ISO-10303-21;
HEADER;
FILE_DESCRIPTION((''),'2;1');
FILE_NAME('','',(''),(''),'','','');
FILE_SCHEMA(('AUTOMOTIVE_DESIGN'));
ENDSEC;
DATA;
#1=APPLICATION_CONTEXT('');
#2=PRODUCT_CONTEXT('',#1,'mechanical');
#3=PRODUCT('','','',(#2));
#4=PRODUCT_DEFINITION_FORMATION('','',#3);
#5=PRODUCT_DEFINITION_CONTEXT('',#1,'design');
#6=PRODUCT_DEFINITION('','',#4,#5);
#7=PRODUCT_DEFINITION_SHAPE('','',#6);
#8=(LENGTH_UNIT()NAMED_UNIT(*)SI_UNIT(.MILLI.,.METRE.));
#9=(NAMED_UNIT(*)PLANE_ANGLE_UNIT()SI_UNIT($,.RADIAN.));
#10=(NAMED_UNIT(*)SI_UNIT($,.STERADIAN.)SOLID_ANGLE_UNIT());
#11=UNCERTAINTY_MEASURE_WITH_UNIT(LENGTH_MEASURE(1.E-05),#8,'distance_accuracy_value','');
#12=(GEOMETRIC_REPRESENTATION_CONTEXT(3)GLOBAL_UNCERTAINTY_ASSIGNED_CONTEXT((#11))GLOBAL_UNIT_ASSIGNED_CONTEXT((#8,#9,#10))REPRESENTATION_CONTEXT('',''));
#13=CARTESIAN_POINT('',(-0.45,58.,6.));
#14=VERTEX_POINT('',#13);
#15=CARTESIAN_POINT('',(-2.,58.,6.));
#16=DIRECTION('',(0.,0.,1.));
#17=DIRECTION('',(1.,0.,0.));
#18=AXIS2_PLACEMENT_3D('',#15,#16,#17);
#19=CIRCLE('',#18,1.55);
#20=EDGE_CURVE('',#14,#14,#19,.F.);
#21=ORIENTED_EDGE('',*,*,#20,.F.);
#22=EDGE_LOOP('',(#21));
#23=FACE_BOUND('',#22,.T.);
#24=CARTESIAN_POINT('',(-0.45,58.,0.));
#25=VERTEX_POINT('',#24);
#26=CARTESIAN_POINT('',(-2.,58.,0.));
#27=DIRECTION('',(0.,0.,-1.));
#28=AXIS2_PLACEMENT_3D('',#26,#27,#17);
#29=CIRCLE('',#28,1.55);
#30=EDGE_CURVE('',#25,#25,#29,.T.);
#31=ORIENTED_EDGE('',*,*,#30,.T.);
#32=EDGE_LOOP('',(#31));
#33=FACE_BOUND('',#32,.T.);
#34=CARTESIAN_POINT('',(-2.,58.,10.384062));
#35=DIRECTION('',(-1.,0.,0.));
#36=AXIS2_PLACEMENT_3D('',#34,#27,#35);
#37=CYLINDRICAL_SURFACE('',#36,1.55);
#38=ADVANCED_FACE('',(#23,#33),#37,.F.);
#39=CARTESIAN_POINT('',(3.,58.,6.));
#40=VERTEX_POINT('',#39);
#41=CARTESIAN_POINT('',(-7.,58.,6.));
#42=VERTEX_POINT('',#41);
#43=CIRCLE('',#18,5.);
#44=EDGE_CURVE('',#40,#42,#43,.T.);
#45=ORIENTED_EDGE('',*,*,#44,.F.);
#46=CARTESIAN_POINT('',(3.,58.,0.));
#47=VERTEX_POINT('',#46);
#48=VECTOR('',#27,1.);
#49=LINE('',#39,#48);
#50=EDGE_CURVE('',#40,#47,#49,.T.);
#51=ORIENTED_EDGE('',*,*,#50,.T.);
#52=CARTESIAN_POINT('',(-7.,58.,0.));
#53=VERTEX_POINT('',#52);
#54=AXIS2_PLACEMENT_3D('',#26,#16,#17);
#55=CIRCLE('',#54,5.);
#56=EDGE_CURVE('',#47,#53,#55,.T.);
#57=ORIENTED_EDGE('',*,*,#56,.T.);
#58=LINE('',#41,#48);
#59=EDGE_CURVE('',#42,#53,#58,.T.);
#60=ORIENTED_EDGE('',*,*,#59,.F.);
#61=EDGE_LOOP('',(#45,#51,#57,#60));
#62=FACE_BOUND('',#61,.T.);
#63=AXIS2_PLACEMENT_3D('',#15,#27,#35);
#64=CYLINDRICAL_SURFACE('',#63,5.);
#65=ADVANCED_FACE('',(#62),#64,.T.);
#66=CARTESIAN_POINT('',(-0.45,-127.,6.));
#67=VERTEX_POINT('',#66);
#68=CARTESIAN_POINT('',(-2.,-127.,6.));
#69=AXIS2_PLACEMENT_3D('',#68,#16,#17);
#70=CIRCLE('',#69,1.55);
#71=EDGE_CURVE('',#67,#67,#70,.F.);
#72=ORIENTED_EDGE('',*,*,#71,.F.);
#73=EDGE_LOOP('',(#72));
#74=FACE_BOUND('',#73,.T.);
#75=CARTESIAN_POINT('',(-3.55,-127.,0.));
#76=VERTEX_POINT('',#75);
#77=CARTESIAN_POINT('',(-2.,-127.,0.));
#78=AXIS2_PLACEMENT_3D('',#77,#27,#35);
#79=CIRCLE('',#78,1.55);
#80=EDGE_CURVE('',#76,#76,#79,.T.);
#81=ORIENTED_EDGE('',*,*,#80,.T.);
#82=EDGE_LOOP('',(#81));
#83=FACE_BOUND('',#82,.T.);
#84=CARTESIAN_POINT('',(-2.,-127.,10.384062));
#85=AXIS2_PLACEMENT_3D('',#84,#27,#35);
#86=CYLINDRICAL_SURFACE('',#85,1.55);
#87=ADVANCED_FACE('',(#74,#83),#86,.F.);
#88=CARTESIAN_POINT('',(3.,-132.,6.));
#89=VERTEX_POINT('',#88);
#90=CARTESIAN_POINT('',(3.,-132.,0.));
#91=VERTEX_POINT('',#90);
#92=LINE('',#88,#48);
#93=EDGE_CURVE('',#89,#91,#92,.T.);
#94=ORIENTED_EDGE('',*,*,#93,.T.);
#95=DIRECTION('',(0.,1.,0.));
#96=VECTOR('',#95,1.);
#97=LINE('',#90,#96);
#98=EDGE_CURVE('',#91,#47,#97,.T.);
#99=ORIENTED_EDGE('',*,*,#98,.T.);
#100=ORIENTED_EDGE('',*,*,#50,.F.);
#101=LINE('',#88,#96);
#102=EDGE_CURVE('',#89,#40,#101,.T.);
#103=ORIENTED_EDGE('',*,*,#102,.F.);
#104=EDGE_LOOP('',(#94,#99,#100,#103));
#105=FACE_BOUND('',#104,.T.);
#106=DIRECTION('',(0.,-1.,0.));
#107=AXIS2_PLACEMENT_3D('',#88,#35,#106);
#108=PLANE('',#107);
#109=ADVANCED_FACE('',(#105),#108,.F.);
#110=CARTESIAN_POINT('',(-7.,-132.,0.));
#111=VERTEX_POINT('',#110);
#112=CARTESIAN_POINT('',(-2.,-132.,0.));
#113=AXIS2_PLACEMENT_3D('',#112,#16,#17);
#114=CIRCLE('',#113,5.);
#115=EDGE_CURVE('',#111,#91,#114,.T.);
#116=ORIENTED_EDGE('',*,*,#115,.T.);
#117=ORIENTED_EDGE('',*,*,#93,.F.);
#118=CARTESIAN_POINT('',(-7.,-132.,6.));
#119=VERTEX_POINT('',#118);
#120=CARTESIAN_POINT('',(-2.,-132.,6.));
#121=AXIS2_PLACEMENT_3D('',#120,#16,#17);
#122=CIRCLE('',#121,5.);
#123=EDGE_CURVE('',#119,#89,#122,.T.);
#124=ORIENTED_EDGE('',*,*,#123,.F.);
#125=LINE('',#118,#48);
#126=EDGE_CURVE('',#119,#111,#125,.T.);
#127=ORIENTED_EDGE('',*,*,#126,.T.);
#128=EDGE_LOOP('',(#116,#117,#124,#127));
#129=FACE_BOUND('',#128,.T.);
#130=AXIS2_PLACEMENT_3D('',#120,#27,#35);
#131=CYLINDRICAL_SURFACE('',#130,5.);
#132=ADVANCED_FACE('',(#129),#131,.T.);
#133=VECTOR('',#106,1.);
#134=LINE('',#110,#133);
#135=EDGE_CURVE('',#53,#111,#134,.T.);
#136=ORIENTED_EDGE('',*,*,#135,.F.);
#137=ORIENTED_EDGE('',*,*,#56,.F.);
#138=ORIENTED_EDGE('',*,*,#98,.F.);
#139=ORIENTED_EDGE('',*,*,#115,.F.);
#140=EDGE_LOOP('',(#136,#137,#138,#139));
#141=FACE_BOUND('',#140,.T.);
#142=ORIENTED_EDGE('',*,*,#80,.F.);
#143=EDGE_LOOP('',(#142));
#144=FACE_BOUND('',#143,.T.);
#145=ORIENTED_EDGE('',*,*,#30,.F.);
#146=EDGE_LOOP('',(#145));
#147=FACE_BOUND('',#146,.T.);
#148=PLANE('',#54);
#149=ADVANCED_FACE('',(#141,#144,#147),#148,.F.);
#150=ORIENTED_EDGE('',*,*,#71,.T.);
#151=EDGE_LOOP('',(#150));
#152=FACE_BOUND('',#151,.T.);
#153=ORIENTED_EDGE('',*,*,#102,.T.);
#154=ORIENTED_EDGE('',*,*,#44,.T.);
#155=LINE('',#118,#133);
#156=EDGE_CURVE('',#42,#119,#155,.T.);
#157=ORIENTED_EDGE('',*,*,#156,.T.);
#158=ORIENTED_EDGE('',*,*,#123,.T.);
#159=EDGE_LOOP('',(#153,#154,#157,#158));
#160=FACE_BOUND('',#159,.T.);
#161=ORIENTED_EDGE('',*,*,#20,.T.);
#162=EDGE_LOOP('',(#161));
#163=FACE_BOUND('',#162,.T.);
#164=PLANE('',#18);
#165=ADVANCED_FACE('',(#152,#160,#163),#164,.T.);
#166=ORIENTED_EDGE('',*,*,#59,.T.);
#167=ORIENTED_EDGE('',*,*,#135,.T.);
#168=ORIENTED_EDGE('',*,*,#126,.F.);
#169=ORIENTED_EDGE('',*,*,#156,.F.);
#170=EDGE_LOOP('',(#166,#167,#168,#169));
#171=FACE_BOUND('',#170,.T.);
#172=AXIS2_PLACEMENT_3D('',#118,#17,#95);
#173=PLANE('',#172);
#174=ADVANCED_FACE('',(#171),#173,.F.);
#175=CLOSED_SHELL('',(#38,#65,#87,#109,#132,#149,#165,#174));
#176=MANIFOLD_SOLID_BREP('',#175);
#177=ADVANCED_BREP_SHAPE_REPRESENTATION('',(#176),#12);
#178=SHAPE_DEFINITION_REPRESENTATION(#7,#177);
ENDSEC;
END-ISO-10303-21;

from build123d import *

# Parameters (mm, degrees)
BOSS_EXTRU_1_DEPTH      = 6
ESQUISSE4_R             = 1.55
ENL_V_MAT_EXTRU_3_DEPTH = 6


with BuildPart() as part:
    # Esquisse3 → Boss.-Extru.1 (new body)
    with BuildSketch(Plane.XY):
        with BuildLine():
            Line((-7, -132), (-7, 58))
            ThreePointArc((-7, 58), (-2, 63), (3, 58))
            Line((3, 58), (3, -132))
            ThreePointArc((3, -132), (-2, -137), (-7, -132))
        make_face()
    extrude(amount=BOSS_EXTRU_1_DEPTH)

    # Esquisse4 → Enlèv. mat.-Extru.3 (cut)
    with BuildSketch(Plane(origin=(0, 0, 0), x_dir=(-1, 0, 0), z_dir=(0, 0, -1))):
        with Locations((2, -127)):
            Circle(ESQUISSE4_R)
        with Locations(Location((2, 58, 0), (0, 0, 180))):
            Circle(ESQUISSE4_R)
    extrude(amount=-ENL_V_MAT_EXTRU_3_DEPTH, mode=Mode.SUBTRACT)


solid = part.part
